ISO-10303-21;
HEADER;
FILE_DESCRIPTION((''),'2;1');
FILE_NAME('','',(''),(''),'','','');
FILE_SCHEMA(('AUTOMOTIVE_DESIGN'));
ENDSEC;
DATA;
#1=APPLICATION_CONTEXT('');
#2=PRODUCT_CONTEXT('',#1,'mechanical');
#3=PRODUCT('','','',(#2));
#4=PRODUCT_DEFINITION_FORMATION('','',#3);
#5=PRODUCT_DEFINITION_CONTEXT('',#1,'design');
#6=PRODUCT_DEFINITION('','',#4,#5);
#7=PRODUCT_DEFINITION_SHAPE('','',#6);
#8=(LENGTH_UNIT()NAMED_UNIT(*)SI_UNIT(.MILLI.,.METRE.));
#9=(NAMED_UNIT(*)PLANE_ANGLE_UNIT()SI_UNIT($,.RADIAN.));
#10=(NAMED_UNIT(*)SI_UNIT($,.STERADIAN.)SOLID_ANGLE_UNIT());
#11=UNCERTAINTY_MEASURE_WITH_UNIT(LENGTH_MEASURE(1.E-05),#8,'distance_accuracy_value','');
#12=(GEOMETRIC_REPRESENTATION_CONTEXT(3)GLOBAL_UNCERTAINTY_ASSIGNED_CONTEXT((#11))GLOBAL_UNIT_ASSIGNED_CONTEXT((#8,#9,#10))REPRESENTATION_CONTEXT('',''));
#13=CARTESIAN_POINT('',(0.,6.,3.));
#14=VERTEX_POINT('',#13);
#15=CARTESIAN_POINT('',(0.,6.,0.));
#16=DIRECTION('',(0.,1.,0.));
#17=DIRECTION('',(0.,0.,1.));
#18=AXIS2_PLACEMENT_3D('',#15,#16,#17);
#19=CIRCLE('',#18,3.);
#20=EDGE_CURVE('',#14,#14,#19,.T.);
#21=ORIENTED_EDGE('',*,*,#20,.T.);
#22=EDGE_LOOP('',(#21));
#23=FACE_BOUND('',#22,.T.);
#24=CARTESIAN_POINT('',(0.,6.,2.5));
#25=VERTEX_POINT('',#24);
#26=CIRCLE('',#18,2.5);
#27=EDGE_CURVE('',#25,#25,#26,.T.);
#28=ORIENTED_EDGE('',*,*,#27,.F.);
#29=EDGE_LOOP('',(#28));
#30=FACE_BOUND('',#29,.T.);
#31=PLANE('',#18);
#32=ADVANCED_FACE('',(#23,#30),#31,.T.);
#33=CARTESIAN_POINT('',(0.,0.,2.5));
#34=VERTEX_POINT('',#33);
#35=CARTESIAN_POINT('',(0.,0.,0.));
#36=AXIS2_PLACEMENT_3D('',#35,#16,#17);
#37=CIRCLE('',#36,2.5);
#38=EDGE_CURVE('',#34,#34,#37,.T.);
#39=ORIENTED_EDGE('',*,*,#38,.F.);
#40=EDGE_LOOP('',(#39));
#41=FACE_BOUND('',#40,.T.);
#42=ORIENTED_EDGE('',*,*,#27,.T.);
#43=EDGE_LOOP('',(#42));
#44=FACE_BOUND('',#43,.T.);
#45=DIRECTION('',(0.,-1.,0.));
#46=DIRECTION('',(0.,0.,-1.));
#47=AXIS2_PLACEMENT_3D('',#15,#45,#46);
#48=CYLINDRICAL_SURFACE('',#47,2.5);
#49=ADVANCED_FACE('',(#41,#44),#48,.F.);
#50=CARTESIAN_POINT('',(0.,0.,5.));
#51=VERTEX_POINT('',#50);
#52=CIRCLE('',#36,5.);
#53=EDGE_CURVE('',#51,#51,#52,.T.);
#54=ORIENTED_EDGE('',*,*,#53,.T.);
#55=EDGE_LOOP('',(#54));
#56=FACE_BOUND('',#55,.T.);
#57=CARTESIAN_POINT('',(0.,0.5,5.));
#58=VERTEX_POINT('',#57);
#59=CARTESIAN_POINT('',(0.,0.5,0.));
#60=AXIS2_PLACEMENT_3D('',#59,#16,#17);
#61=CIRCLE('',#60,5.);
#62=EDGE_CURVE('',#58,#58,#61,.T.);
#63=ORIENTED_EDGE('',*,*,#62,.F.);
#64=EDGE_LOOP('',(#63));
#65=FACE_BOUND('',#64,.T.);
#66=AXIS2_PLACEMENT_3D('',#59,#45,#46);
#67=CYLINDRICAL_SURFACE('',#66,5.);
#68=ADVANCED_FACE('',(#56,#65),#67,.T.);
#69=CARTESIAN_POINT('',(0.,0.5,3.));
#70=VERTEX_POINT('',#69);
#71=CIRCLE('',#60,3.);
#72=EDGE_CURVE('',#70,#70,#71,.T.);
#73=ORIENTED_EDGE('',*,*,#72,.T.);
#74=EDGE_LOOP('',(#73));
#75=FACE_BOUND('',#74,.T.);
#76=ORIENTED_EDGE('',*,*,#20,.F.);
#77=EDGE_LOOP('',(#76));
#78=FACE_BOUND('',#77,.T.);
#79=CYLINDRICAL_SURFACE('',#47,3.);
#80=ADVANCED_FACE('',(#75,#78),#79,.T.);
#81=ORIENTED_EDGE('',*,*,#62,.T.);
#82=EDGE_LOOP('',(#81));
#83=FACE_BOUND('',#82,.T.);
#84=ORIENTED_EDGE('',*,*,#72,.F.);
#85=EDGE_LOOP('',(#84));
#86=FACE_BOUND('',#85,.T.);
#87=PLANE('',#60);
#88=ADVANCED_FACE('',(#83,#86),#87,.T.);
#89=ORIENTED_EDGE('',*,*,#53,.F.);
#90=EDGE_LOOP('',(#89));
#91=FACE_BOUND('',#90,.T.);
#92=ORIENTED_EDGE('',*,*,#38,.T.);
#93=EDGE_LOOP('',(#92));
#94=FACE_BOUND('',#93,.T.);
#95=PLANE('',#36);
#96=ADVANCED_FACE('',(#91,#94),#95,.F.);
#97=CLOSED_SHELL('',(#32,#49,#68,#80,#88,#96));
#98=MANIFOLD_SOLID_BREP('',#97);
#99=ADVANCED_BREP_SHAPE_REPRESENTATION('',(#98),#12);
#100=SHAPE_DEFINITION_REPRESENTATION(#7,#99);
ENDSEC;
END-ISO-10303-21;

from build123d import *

# Parameters (mm, degrees)
SKIZZE1_R                       = 3
SKIZZE1_R_2                     = 2.5
AUFSATZ_LINEAR_AUSTRAGEN1_DEPTH = 6
SKIZZE2_R                       = 5
SKIZZE2_R_2                     = 3
AUFSATZ_LINEAR_AUSTRAGEN2_DEPTH = 0.5


with BuildPart() as part:
    # Skizze1 → Aufsatz-Linear austragen1 (new body)
    with BuildSketch(Plane(origin=(0, 0, 0), x_dir=(1, 0, 0), z_dir=(0, 1, 0))):
        Circle(SKIZZE1_R)
        Circle(SKIZZE1_R_2, mode=Mode.SUBTRACT)
    extrude(amount=AUFSATZ_LINEAR_AUSTRAGEN1_DEPTH)

    # Skizze2 → Aufsatz-Linear austragen2 (add)
    with BuildSketch(Plane(origin=(0, 0, 0), x_dir=(1, 0, 0), z_dir=(0, 1, 0))):
        Circle(SKIZZE2_R)
        Circle(SKIZZE2_R_2, mode=Mode.SUBTRACT)
    extrude(amount=AUFSATZ_LINEAR_AUSTRAGEN2_DEPTH)


solid = part.part
